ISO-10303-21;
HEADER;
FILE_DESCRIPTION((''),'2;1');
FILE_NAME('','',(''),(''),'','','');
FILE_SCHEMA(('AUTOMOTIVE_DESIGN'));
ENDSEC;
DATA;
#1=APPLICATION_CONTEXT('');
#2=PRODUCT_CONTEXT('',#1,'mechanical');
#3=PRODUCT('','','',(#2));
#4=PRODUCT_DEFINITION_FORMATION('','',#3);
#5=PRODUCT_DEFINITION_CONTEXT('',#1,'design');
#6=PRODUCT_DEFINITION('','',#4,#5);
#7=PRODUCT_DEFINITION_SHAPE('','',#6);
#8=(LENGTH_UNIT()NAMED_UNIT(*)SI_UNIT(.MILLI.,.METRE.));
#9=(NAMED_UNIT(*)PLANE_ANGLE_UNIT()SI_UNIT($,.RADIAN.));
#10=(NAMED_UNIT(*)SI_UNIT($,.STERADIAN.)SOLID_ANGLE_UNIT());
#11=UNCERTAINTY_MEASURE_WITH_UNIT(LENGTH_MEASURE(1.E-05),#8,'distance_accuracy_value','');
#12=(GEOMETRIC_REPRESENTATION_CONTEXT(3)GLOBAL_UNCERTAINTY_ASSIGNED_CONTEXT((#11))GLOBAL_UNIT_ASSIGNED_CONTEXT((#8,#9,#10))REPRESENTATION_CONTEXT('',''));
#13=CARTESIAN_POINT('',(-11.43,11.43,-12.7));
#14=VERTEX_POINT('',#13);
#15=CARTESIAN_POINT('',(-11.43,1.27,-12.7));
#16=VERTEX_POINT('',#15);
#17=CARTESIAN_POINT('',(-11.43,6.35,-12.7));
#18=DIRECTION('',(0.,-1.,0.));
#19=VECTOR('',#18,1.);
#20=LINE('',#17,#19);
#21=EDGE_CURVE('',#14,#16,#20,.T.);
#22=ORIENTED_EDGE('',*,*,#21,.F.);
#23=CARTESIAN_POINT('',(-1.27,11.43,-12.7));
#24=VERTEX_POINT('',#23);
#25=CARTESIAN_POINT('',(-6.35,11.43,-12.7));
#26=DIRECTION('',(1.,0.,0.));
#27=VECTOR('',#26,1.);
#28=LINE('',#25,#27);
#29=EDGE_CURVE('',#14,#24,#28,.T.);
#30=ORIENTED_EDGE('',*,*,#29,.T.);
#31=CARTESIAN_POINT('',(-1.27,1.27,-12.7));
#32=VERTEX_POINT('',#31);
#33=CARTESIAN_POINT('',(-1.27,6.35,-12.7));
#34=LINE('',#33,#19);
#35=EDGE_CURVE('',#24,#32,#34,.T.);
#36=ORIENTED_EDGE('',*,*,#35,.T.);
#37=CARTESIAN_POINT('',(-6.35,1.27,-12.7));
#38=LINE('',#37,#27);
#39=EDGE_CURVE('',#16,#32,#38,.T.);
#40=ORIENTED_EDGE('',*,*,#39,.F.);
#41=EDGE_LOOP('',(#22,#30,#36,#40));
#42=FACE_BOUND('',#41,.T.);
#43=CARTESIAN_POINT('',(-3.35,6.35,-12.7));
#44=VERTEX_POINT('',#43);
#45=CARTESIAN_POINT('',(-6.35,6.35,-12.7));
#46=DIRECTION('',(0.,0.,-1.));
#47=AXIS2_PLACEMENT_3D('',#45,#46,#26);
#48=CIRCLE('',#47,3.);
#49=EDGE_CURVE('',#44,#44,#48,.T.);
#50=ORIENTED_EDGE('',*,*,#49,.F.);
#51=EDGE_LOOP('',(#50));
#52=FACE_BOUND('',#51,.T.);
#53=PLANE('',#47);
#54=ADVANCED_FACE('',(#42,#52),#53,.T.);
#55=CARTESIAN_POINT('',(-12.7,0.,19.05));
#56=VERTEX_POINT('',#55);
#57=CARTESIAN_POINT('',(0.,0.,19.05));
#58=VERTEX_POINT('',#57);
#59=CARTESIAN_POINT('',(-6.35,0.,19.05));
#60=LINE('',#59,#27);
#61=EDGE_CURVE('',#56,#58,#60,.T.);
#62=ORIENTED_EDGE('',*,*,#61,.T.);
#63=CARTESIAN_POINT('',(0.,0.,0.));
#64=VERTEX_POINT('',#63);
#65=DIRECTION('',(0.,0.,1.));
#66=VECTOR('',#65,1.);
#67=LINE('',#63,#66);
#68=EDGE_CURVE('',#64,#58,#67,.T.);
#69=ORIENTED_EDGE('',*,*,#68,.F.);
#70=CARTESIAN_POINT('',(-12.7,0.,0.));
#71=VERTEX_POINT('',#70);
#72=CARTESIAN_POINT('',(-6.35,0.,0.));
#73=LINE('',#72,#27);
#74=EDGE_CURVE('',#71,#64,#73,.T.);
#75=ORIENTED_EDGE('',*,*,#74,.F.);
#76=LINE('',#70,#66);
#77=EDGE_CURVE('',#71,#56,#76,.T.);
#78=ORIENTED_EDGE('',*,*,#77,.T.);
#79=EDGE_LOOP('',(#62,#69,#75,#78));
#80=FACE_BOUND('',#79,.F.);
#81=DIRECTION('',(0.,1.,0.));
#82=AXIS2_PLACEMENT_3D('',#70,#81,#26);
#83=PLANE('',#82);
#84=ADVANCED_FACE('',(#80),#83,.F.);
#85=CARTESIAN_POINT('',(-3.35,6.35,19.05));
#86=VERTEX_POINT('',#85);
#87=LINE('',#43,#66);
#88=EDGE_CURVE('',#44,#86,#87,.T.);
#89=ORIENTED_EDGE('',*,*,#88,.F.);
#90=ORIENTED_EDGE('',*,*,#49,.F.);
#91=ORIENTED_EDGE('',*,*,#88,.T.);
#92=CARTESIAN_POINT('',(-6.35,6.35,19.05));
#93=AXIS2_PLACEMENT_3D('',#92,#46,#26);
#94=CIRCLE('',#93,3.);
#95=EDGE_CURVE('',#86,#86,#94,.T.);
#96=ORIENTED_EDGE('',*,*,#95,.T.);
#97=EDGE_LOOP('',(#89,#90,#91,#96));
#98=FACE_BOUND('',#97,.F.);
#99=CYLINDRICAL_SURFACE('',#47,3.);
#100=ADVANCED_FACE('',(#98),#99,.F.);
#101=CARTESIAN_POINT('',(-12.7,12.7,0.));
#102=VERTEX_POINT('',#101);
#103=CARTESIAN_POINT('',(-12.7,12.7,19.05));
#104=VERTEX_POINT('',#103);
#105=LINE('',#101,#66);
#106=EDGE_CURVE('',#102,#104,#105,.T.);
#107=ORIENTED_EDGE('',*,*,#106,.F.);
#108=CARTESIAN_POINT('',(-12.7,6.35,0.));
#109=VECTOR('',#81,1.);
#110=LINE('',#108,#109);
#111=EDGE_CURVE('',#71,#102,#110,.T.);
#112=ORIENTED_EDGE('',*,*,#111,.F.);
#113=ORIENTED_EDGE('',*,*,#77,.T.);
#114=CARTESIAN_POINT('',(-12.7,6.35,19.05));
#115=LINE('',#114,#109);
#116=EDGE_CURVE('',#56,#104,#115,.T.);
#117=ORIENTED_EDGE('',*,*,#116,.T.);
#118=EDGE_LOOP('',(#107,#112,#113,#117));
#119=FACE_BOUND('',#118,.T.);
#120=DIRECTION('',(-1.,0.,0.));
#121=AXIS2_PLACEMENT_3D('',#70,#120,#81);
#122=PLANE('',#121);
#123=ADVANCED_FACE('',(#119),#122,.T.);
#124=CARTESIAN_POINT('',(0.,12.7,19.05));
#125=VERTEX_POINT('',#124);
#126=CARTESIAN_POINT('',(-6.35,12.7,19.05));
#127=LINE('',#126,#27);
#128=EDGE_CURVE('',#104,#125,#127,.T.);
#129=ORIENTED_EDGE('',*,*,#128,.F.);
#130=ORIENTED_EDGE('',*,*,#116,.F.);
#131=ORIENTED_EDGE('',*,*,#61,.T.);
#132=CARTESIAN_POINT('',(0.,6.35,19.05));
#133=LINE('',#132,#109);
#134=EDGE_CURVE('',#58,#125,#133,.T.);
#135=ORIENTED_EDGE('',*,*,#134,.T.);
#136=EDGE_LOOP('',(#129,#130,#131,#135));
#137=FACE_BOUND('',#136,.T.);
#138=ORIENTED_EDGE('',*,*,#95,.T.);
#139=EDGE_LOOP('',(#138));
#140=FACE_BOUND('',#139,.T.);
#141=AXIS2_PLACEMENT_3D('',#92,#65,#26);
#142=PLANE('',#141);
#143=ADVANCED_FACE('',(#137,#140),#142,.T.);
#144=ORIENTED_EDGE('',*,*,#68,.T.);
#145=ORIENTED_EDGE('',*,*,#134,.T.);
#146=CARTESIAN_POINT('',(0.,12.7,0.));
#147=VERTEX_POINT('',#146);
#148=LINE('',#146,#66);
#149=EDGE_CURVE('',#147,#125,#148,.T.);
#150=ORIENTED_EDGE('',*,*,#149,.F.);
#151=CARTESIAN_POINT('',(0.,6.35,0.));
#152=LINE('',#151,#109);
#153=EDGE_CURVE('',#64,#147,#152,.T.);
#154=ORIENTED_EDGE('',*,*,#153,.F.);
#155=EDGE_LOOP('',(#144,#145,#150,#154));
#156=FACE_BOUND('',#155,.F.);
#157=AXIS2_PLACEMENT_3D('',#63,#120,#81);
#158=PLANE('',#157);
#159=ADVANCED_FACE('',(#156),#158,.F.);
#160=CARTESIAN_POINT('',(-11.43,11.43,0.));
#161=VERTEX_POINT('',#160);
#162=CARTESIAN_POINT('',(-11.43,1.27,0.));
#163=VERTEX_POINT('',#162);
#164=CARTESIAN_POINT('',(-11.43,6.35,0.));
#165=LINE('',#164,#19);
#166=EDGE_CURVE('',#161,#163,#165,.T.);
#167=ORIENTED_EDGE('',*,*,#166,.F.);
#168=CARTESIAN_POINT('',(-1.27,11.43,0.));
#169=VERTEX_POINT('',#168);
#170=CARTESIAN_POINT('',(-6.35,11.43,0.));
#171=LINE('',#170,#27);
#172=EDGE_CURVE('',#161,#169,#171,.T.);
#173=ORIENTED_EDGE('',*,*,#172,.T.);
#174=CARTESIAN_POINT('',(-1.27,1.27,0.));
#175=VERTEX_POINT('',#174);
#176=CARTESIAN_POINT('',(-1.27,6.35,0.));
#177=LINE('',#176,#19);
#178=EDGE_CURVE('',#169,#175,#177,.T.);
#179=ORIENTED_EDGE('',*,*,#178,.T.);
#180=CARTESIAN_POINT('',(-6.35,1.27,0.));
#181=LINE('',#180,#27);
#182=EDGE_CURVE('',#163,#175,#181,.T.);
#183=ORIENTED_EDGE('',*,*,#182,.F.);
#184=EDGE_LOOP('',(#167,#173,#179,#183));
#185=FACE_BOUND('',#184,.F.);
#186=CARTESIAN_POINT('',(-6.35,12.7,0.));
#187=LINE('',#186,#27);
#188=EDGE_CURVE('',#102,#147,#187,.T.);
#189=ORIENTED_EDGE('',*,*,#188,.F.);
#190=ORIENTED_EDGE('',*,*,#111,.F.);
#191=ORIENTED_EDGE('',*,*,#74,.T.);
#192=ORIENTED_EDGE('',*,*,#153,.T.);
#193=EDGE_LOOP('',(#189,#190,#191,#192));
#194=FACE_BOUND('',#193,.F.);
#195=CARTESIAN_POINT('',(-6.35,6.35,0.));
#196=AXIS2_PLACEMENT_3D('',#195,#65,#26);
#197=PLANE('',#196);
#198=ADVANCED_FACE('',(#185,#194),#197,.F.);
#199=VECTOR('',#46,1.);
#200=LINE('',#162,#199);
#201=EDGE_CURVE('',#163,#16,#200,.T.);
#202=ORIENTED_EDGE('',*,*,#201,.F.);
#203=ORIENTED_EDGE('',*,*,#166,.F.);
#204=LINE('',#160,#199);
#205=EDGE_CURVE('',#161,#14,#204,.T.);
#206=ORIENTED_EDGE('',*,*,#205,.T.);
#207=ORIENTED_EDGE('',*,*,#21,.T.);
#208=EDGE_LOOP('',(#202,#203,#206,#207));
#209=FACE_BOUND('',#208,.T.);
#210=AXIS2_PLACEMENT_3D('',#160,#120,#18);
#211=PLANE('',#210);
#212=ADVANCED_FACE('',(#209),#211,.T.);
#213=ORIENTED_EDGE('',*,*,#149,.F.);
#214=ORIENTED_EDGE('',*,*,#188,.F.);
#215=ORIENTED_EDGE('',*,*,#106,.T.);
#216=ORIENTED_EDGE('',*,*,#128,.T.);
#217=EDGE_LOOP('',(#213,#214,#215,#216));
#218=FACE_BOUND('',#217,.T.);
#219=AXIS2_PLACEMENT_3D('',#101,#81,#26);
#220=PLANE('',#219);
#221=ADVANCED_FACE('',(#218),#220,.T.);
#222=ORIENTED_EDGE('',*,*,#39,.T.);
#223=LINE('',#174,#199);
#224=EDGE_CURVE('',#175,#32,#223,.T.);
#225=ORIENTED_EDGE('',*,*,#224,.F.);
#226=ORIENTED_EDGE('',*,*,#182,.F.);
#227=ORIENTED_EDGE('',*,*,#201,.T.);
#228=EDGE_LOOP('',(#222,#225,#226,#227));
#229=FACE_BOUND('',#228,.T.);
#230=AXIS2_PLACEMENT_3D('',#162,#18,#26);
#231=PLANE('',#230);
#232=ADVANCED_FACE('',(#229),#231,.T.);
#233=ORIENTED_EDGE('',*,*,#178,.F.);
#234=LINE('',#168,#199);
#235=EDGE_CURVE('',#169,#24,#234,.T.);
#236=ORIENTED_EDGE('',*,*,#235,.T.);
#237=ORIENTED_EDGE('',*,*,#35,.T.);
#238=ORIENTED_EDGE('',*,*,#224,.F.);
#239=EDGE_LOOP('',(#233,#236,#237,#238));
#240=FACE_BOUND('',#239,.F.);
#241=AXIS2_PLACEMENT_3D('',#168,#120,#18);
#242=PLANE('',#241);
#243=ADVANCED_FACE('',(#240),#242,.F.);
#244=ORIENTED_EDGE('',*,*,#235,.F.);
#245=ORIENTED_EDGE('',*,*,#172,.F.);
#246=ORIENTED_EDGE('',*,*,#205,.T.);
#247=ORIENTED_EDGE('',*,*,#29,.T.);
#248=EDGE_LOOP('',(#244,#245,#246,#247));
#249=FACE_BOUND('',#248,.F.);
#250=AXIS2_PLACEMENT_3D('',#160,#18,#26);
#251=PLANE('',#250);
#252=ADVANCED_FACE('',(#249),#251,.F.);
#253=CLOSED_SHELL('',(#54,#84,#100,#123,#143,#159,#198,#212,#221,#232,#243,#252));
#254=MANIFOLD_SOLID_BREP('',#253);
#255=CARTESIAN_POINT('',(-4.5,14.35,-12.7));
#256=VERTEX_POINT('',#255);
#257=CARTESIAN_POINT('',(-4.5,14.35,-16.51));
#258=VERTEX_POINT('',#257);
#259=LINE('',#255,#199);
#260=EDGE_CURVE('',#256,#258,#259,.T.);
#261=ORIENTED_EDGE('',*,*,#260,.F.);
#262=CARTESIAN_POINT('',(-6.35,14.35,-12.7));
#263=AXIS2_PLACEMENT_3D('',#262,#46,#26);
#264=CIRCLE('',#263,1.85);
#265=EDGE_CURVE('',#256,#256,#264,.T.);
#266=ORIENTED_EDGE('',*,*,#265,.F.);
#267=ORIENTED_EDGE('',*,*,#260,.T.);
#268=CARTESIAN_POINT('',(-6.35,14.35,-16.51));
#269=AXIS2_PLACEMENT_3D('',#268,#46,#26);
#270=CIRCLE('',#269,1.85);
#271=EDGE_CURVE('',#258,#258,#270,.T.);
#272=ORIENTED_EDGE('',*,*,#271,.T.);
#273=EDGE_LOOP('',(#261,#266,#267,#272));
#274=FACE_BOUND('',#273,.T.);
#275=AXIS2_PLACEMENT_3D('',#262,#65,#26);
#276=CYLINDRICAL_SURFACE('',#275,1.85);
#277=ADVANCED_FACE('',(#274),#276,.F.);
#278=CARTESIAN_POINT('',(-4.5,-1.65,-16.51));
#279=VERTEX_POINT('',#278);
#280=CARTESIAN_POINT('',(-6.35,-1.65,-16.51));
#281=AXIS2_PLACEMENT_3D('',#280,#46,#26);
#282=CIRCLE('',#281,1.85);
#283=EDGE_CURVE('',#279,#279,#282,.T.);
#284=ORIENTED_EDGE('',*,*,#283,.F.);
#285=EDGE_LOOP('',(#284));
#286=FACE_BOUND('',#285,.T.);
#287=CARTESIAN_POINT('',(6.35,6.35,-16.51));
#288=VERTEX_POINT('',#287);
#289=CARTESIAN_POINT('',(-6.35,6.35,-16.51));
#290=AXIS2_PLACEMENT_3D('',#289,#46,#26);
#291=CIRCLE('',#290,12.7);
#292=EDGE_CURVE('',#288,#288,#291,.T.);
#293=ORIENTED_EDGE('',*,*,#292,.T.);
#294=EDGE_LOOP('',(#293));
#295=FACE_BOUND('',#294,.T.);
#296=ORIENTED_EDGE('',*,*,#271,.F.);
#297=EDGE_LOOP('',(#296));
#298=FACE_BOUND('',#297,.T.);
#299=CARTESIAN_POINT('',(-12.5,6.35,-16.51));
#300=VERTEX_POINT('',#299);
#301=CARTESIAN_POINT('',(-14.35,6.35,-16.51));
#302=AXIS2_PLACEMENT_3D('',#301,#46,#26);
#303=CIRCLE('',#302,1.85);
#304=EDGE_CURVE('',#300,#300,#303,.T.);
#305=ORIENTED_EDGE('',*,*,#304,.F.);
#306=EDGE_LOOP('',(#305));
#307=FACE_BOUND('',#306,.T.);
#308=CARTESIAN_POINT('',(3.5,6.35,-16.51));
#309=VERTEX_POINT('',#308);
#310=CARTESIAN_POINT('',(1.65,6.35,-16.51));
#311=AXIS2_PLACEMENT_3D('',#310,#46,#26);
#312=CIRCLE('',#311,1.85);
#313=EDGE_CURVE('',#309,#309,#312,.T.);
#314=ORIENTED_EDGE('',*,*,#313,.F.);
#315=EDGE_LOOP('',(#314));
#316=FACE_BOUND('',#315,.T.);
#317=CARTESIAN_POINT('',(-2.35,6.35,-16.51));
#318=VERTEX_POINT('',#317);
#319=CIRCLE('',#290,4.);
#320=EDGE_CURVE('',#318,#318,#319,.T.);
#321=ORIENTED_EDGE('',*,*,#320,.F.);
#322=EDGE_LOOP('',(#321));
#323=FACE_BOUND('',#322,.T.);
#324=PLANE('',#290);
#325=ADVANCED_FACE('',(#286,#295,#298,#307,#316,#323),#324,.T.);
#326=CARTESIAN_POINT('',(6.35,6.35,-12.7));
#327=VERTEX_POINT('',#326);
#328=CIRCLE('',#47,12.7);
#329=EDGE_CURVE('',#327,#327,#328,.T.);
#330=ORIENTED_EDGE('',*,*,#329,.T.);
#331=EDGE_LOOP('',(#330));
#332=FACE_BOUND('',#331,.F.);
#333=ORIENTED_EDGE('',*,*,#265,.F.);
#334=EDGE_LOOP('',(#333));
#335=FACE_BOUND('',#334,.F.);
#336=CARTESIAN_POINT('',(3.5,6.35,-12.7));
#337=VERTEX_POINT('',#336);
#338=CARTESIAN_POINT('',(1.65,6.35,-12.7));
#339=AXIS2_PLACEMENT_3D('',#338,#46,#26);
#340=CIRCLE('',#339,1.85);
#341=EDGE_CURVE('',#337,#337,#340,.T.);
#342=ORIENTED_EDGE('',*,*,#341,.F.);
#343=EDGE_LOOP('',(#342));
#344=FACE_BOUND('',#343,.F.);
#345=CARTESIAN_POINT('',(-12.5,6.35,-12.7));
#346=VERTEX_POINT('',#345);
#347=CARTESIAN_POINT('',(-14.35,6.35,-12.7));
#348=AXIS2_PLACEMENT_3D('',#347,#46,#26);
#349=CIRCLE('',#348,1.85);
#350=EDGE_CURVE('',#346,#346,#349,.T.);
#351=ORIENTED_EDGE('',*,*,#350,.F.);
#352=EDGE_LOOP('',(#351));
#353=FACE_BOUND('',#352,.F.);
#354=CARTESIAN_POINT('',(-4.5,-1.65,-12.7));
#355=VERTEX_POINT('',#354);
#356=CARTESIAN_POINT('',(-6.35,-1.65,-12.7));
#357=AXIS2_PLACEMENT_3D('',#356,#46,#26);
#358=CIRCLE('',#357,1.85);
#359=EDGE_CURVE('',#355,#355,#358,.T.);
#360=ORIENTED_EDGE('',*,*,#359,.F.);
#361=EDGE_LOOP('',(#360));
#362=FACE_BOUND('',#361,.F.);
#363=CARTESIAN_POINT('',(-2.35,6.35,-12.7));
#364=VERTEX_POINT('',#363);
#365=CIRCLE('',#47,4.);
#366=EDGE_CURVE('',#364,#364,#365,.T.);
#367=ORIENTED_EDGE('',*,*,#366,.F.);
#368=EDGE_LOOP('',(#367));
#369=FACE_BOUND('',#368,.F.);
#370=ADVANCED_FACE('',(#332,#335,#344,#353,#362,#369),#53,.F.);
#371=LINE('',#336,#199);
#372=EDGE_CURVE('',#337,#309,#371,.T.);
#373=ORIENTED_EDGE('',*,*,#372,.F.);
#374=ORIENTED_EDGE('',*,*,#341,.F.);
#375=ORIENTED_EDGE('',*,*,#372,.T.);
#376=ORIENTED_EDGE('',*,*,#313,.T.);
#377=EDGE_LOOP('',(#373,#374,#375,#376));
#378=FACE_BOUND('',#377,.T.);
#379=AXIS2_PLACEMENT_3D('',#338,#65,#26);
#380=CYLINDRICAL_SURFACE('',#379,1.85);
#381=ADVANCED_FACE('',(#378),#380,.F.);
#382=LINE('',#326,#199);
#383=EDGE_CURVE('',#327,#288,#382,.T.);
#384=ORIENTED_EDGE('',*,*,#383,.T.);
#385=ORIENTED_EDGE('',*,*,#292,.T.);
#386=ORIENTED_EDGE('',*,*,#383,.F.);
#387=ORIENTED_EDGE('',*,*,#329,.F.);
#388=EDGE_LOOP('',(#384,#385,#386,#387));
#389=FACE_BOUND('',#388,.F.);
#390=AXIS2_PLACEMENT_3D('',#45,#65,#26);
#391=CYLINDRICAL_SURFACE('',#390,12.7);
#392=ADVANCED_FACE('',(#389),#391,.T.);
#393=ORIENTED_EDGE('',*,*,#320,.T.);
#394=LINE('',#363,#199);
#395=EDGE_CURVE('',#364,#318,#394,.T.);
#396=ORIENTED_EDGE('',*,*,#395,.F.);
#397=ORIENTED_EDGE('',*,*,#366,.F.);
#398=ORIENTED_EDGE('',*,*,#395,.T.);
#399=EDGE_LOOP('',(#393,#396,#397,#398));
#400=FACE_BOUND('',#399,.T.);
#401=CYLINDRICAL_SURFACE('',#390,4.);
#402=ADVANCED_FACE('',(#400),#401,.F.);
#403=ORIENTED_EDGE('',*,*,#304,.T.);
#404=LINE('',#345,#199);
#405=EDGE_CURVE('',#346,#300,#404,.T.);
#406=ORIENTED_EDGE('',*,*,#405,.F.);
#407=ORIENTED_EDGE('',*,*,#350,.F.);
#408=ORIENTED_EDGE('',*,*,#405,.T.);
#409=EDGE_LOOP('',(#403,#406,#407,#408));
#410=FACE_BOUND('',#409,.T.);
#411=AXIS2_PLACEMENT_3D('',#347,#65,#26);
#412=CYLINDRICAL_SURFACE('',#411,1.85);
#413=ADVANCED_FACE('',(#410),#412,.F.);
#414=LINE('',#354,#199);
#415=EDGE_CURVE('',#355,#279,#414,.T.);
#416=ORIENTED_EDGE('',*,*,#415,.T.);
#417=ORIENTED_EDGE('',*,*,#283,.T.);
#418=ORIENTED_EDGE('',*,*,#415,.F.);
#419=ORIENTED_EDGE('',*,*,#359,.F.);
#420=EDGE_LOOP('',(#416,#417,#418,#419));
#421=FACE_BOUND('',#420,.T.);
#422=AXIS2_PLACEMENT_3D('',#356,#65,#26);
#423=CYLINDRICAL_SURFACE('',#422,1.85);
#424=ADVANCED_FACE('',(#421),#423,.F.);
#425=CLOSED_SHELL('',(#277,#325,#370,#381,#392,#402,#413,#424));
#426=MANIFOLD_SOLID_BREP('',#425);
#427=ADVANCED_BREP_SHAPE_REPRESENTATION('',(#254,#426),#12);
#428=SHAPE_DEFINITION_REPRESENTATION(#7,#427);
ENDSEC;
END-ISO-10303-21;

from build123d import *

# Parameters (mm, degrees)
F0_W      = 12.7
F0_H      = 12.7
F1_DEPTH  = 19.05
F2_W      = 10.16
F2_H      = 10.16
F2_R      = 3
F3_DEPTH  = 12.7
F4_R      = 12.7
F4_R_2    = 1.85
F4_W      = 10.16
F4_H      = 10.16
F4_R_3    = 4
F5_DEPTH  = 3.81
F3_FACE_R = 3
F6_DEPTH  = 127


with BuildPart() as f1:
    # F0 (on Top) → F1 (new body)
    with BuildSketch(Plane.XY):
        with Locations((-6.35, 6.35)):
            Rectangle(F0_W, F0_H)
    extrude(amount=F1_DEPTH)

    # F2 (on face) → F3 (join)
    with BuildSketch(Plane(origin=(0, 0, 0), x_dir=(1, 0, 0), z_dir=(0, 0, -1))):
        with Locations((-6.35, -6.35)):
            Rectangle(F2_W, F2_H)
        with Locations((-6.35, -6.35)):
            Circle(F2_R, mode=Mode.SUBTRACT)
    extrude(amount=F3_DEPTH)

    # F3_face (on face) → F6 (cut)
    with BuildSketch(Plane(origin=(-6.35, 6.35, -12.7), x_dir=(1, 0, 0), z_dir=(0, 0, -1))):
        Circle(F3_FACE_R)
    extrude(amount=-F6_DEPTH, mode=Mode.SUBTRACT)


with BuildPart() as f5:
    # F4 (on face) → F5 (new body)
    with BuildSketch(Plane(origin=(0, 0, -12.7), x_dir=(1, 0, 0), z_dir=(0, 0, -1))):
        with Locations((-6.35, -6.35)):
            Circle(F4_R)
        with Locations((-6.35, -14.35)):
            Circle(F4_R_2, mode=Mode.SUBTRACT)
        with Locations((-14.35, -6.35)):
            Circle(F4_R_2, mode=Mode.SUBTRACT)
        with Locations((-6.35, -6.35)):
            Rectangle(F4_W, F4_H, mode=Mode.SUBTRACT)
        with Locations((1.65, -6.35)):
            Circle(F4_R_2, mode=Mode.SUBTRACT)
        with Locations((-6.35, 1.65)):
            Circle(F4_R_2, mode=Mode.SUBTRACT)
        with Locations((-6.35, -6.35)):
            Rectangle(F4_W, F4_H)
        with Locations((-6.35, -6.35)):
            Circle(F4_R_3, mode=Mode.SUBTRACT)
    extrude(amount=F5_DEPTH)


solid = Compound([f1.part, f5.part])
